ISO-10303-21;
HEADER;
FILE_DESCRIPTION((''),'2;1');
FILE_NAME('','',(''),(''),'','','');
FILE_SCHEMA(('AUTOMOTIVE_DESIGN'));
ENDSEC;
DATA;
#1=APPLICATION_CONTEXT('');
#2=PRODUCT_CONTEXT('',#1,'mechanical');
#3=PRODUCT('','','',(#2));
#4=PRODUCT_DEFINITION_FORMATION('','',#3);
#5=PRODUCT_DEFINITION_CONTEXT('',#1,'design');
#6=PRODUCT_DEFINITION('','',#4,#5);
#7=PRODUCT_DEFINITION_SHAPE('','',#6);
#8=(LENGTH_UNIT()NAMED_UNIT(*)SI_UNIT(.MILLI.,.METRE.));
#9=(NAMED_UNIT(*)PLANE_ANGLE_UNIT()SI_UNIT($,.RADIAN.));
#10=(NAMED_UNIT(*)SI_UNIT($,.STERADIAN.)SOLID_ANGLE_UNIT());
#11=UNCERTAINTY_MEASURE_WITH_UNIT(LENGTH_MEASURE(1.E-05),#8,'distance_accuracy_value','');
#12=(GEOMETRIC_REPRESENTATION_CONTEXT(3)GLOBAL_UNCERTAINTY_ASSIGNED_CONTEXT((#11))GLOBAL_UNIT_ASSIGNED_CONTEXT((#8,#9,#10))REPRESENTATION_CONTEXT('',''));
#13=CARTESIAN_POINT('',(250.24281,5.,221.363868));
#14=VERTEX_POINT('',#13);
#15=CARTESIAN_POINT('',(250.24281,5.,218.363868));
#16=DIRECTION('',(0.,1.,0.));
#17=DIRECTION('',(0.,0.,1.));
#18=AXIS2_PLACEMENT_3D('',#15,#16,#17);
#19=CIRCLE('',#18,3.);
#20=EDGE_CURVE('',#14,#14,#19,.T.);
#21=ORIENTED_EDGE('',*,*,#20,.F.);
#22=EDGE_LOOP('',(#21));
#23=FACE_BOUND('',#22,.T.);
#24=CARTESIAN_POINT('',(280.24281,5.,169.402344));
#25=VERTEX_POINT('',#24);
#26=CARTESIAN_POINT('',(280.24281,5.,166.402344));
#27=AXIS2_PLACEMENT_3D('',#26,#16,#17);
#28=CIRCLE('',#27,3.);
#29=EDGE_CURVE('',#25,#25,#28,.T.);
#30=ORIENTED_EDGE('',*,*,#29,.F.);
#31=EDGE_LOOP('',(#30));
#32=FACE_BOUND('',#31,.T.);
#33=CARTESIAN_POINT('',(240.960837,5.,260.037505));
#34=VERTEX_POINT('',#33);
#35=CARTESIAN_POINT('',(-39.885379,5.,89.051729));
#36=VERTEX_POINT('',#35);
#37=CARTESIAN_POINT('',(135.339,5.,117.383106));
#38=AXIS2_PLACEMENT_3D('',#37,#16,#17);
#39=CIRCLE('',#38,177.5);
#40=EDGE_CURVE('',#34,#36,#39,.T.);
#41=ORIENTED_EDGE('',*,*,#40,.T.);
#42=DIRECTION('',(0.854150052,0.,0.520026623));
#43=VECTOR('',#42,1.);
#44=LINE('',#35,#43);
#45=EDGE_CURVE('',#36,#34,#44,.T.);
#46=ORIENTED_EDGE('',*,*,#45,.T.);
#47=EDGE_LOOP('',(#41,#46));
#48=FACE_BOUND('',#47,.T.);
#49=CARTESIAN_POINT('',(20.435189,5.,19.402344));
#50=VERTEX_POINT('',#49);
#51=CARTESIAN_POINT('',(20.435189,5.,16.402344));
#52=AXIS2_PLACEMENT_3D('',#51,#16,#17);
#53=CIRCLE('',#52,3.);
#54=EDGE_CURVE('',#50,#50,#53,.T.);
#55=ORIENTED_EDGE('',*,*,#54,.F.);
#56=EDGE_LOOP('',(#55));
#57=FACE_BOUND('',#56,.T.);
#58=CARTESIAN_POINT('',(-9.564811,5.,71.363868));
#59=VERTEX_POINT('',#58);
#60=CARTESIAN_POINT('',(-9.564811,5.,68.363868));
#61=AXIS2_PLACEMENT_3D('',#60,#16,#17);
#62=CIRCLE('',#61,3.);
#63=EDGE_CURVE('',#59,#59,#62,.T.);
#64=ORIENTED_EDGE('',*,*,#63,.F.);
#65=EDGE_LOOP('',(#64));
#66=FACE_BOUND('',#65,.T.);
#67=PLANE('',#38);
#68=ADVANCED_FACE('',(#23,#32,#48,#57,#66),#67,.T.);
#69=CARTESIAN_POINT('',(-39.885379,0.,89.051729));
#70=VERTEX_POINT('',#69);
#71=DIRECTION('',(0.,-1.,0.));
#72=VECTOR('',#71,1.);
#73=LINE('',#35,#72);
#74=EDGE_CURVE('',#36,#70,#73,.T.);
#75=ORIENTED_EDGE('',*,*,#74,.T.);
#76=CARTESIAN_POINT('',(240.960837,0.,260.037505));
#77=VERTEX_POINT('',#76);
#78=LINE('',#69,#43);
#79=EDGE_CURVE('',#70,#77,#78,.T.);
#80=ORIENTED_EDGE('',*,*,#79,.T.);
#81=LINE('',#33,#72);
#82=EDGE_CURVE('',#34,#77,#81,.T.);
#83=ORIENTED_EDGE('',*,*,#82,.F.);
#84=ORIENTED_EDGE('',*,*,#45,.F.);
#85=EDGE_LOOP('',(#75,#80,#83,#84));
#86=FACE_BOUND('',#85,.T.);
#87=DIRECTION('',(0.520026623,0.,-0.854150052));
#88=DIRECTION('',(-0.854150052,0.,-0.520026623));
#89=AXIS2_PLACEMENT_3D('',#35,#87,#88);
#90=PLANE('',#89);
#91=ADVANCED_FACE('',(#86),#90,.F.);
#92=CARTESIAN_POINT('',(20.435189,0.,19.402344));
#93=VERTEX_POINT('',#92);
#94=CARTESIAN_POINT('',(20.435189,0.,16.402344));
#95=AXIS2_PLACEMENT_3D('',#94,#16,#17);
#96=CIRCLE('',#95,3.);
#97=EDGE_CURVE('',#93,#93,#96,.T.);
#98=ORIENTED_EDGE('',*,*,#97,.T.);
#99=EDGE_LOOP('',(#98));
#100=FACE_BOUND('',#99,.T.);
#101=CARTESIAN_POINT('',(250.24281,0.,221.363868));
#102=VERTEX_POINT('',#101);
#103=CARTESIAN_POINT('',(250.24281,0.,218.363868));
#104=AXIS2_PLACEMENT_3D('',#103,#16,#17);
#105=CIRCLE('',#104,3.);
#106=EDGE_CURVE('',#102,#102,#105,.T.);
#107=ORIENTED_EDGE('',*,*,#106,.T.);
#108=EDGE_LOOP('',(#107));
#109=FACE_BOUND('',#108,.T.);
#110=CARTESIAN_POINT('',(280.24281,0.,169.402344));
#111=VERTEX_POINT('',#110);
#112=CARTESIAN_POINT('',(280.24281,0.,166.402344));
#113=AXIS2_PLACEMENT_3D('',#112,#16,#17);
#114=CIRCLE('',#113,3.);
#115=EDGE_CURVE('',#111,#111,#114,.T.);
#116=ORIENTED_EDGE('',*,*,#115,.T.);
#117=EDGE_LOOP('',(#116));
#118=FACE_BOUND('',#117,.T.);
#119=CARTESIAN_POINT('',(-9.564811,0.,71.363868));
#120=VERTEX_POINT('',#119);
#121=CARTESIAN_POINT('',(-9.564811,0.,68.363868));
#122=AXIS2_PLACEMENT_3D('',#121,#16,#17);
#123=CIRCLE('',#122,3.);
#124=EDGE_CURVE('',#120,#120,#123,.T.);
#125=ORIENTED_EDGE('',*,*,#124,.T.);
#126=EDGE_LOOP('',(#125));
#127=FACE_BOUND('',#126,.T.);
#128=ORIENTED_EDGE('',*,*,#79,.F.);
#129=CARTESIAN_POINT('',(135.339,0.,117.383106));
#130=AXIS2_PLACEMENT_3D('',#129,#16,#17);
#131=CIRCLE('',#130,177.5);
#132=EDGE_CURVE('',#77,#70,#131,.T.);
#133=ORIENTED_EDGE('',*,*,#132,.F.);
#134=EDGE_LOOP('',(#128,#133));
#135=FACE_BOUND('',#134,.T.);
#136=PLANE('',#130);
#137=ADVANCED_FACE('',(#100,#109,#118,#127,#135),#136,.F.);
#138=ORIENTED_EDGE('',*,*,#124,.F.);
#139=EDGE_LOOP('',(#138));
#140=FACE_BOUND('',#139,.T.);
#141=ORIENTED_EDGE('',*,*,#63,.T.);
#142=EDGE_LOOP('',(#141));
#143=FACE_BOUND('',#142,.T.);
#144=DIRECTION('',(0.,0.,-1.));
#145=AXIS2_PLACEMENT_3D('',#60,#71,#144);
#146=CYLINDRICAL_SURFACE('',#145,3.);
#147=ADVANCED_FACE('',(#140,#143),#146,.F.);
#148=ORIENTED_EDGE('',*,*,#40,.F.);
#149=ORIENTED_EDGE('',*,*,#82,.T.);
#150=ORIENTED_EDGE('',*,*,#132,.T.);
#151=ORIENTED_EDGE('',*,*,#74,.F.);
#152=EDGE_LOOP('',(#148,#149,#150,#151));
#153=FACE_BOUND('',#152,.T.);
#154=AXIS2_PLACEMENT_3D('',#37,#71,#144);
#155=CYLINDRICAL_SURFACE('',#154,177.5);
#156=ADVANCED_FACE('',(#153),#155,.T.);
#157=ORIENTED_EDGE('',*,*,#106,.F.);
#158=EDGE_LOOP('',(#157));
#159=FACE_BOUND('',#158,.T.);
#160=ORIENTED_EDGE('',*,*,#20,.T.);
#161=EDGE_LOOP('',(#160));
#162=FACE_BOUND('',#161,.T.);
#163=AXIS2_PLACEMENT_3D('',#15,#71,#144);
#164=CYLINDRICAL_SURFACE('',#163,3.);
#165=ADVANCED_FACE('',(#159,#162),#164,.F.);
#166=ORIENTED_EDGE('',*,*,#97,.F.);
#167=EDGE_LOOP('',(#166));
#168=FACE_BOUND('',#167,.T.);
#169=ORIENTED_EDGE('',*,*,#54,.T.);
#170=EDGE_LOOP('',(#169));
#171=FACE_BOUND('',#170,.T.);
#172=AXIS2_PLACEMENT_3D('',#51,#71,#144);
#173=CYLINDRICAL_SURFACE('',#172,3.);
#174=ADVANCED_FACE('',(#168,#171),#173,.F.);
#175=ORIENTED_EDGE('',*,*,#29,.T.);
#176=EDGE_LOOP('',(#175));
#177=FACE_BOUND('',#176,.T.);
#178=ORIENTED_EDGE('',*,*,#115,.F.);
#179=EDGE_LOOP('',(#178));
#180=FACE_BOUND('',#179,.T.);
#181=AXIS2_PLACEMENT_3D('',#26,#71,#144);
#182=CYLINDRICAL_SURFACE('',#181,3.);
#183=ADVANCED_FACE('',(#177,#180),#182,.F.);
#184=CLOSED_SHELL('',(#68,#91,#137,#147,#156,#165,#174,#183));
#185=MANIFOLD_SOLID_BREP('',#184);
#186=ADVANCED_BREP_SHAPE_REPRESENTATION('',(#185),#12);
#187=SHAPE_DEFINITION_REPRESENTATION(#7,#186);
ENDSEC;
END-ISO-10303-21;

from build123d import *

# Parameters (mm, degrees)
SKETCH_1_R      = 3
EXTRUDE_1_DEPTH = 5


with BuildPart() as part:
    # 草图1 → 凸台-拉伸1 (new body)
    with BuildSketch(Plane(origin=(0, 0, 0), x_dir=(1, 0, 0), z_dir=(0, 1, 0))):
        with BuildLine():
            Line((-39.885379482, -89.051728746), (240.960836827, -260.037504895))
            ThreePointArc((240.960836827, -260.037504895), (227.643725358, 34.228528193), (-39.885379482, -89.051728746))
        make_face()
        with Locations(Location((20.435189142, -16.402343887, 0), (0, 0, 270))):
            Circle(SKETCH_1_R, mode=Mode.SUBTRACT)
        with Locations(Location((-9.564810858, -68.363868114, 0), (0, 0, 270))):
            Circle(SKETCH_1_R, mode=Mode.SUBTRACT)
        with Locations(Location((250.242810277, -218.363868114, 0), (0, 0, 270))):
            Circle(SKETCH_1_R, mode=Mode.SUBTRACT)
        with Locations(Location((280.242810277, -166.402343887, 0), (0, 0, 270))):
            Circle(SKETCH_1_R, mode=Mode.SUBTRACT)
    extrude(amount=EXTRUDE_1_DEPTH)


solid = part.part
